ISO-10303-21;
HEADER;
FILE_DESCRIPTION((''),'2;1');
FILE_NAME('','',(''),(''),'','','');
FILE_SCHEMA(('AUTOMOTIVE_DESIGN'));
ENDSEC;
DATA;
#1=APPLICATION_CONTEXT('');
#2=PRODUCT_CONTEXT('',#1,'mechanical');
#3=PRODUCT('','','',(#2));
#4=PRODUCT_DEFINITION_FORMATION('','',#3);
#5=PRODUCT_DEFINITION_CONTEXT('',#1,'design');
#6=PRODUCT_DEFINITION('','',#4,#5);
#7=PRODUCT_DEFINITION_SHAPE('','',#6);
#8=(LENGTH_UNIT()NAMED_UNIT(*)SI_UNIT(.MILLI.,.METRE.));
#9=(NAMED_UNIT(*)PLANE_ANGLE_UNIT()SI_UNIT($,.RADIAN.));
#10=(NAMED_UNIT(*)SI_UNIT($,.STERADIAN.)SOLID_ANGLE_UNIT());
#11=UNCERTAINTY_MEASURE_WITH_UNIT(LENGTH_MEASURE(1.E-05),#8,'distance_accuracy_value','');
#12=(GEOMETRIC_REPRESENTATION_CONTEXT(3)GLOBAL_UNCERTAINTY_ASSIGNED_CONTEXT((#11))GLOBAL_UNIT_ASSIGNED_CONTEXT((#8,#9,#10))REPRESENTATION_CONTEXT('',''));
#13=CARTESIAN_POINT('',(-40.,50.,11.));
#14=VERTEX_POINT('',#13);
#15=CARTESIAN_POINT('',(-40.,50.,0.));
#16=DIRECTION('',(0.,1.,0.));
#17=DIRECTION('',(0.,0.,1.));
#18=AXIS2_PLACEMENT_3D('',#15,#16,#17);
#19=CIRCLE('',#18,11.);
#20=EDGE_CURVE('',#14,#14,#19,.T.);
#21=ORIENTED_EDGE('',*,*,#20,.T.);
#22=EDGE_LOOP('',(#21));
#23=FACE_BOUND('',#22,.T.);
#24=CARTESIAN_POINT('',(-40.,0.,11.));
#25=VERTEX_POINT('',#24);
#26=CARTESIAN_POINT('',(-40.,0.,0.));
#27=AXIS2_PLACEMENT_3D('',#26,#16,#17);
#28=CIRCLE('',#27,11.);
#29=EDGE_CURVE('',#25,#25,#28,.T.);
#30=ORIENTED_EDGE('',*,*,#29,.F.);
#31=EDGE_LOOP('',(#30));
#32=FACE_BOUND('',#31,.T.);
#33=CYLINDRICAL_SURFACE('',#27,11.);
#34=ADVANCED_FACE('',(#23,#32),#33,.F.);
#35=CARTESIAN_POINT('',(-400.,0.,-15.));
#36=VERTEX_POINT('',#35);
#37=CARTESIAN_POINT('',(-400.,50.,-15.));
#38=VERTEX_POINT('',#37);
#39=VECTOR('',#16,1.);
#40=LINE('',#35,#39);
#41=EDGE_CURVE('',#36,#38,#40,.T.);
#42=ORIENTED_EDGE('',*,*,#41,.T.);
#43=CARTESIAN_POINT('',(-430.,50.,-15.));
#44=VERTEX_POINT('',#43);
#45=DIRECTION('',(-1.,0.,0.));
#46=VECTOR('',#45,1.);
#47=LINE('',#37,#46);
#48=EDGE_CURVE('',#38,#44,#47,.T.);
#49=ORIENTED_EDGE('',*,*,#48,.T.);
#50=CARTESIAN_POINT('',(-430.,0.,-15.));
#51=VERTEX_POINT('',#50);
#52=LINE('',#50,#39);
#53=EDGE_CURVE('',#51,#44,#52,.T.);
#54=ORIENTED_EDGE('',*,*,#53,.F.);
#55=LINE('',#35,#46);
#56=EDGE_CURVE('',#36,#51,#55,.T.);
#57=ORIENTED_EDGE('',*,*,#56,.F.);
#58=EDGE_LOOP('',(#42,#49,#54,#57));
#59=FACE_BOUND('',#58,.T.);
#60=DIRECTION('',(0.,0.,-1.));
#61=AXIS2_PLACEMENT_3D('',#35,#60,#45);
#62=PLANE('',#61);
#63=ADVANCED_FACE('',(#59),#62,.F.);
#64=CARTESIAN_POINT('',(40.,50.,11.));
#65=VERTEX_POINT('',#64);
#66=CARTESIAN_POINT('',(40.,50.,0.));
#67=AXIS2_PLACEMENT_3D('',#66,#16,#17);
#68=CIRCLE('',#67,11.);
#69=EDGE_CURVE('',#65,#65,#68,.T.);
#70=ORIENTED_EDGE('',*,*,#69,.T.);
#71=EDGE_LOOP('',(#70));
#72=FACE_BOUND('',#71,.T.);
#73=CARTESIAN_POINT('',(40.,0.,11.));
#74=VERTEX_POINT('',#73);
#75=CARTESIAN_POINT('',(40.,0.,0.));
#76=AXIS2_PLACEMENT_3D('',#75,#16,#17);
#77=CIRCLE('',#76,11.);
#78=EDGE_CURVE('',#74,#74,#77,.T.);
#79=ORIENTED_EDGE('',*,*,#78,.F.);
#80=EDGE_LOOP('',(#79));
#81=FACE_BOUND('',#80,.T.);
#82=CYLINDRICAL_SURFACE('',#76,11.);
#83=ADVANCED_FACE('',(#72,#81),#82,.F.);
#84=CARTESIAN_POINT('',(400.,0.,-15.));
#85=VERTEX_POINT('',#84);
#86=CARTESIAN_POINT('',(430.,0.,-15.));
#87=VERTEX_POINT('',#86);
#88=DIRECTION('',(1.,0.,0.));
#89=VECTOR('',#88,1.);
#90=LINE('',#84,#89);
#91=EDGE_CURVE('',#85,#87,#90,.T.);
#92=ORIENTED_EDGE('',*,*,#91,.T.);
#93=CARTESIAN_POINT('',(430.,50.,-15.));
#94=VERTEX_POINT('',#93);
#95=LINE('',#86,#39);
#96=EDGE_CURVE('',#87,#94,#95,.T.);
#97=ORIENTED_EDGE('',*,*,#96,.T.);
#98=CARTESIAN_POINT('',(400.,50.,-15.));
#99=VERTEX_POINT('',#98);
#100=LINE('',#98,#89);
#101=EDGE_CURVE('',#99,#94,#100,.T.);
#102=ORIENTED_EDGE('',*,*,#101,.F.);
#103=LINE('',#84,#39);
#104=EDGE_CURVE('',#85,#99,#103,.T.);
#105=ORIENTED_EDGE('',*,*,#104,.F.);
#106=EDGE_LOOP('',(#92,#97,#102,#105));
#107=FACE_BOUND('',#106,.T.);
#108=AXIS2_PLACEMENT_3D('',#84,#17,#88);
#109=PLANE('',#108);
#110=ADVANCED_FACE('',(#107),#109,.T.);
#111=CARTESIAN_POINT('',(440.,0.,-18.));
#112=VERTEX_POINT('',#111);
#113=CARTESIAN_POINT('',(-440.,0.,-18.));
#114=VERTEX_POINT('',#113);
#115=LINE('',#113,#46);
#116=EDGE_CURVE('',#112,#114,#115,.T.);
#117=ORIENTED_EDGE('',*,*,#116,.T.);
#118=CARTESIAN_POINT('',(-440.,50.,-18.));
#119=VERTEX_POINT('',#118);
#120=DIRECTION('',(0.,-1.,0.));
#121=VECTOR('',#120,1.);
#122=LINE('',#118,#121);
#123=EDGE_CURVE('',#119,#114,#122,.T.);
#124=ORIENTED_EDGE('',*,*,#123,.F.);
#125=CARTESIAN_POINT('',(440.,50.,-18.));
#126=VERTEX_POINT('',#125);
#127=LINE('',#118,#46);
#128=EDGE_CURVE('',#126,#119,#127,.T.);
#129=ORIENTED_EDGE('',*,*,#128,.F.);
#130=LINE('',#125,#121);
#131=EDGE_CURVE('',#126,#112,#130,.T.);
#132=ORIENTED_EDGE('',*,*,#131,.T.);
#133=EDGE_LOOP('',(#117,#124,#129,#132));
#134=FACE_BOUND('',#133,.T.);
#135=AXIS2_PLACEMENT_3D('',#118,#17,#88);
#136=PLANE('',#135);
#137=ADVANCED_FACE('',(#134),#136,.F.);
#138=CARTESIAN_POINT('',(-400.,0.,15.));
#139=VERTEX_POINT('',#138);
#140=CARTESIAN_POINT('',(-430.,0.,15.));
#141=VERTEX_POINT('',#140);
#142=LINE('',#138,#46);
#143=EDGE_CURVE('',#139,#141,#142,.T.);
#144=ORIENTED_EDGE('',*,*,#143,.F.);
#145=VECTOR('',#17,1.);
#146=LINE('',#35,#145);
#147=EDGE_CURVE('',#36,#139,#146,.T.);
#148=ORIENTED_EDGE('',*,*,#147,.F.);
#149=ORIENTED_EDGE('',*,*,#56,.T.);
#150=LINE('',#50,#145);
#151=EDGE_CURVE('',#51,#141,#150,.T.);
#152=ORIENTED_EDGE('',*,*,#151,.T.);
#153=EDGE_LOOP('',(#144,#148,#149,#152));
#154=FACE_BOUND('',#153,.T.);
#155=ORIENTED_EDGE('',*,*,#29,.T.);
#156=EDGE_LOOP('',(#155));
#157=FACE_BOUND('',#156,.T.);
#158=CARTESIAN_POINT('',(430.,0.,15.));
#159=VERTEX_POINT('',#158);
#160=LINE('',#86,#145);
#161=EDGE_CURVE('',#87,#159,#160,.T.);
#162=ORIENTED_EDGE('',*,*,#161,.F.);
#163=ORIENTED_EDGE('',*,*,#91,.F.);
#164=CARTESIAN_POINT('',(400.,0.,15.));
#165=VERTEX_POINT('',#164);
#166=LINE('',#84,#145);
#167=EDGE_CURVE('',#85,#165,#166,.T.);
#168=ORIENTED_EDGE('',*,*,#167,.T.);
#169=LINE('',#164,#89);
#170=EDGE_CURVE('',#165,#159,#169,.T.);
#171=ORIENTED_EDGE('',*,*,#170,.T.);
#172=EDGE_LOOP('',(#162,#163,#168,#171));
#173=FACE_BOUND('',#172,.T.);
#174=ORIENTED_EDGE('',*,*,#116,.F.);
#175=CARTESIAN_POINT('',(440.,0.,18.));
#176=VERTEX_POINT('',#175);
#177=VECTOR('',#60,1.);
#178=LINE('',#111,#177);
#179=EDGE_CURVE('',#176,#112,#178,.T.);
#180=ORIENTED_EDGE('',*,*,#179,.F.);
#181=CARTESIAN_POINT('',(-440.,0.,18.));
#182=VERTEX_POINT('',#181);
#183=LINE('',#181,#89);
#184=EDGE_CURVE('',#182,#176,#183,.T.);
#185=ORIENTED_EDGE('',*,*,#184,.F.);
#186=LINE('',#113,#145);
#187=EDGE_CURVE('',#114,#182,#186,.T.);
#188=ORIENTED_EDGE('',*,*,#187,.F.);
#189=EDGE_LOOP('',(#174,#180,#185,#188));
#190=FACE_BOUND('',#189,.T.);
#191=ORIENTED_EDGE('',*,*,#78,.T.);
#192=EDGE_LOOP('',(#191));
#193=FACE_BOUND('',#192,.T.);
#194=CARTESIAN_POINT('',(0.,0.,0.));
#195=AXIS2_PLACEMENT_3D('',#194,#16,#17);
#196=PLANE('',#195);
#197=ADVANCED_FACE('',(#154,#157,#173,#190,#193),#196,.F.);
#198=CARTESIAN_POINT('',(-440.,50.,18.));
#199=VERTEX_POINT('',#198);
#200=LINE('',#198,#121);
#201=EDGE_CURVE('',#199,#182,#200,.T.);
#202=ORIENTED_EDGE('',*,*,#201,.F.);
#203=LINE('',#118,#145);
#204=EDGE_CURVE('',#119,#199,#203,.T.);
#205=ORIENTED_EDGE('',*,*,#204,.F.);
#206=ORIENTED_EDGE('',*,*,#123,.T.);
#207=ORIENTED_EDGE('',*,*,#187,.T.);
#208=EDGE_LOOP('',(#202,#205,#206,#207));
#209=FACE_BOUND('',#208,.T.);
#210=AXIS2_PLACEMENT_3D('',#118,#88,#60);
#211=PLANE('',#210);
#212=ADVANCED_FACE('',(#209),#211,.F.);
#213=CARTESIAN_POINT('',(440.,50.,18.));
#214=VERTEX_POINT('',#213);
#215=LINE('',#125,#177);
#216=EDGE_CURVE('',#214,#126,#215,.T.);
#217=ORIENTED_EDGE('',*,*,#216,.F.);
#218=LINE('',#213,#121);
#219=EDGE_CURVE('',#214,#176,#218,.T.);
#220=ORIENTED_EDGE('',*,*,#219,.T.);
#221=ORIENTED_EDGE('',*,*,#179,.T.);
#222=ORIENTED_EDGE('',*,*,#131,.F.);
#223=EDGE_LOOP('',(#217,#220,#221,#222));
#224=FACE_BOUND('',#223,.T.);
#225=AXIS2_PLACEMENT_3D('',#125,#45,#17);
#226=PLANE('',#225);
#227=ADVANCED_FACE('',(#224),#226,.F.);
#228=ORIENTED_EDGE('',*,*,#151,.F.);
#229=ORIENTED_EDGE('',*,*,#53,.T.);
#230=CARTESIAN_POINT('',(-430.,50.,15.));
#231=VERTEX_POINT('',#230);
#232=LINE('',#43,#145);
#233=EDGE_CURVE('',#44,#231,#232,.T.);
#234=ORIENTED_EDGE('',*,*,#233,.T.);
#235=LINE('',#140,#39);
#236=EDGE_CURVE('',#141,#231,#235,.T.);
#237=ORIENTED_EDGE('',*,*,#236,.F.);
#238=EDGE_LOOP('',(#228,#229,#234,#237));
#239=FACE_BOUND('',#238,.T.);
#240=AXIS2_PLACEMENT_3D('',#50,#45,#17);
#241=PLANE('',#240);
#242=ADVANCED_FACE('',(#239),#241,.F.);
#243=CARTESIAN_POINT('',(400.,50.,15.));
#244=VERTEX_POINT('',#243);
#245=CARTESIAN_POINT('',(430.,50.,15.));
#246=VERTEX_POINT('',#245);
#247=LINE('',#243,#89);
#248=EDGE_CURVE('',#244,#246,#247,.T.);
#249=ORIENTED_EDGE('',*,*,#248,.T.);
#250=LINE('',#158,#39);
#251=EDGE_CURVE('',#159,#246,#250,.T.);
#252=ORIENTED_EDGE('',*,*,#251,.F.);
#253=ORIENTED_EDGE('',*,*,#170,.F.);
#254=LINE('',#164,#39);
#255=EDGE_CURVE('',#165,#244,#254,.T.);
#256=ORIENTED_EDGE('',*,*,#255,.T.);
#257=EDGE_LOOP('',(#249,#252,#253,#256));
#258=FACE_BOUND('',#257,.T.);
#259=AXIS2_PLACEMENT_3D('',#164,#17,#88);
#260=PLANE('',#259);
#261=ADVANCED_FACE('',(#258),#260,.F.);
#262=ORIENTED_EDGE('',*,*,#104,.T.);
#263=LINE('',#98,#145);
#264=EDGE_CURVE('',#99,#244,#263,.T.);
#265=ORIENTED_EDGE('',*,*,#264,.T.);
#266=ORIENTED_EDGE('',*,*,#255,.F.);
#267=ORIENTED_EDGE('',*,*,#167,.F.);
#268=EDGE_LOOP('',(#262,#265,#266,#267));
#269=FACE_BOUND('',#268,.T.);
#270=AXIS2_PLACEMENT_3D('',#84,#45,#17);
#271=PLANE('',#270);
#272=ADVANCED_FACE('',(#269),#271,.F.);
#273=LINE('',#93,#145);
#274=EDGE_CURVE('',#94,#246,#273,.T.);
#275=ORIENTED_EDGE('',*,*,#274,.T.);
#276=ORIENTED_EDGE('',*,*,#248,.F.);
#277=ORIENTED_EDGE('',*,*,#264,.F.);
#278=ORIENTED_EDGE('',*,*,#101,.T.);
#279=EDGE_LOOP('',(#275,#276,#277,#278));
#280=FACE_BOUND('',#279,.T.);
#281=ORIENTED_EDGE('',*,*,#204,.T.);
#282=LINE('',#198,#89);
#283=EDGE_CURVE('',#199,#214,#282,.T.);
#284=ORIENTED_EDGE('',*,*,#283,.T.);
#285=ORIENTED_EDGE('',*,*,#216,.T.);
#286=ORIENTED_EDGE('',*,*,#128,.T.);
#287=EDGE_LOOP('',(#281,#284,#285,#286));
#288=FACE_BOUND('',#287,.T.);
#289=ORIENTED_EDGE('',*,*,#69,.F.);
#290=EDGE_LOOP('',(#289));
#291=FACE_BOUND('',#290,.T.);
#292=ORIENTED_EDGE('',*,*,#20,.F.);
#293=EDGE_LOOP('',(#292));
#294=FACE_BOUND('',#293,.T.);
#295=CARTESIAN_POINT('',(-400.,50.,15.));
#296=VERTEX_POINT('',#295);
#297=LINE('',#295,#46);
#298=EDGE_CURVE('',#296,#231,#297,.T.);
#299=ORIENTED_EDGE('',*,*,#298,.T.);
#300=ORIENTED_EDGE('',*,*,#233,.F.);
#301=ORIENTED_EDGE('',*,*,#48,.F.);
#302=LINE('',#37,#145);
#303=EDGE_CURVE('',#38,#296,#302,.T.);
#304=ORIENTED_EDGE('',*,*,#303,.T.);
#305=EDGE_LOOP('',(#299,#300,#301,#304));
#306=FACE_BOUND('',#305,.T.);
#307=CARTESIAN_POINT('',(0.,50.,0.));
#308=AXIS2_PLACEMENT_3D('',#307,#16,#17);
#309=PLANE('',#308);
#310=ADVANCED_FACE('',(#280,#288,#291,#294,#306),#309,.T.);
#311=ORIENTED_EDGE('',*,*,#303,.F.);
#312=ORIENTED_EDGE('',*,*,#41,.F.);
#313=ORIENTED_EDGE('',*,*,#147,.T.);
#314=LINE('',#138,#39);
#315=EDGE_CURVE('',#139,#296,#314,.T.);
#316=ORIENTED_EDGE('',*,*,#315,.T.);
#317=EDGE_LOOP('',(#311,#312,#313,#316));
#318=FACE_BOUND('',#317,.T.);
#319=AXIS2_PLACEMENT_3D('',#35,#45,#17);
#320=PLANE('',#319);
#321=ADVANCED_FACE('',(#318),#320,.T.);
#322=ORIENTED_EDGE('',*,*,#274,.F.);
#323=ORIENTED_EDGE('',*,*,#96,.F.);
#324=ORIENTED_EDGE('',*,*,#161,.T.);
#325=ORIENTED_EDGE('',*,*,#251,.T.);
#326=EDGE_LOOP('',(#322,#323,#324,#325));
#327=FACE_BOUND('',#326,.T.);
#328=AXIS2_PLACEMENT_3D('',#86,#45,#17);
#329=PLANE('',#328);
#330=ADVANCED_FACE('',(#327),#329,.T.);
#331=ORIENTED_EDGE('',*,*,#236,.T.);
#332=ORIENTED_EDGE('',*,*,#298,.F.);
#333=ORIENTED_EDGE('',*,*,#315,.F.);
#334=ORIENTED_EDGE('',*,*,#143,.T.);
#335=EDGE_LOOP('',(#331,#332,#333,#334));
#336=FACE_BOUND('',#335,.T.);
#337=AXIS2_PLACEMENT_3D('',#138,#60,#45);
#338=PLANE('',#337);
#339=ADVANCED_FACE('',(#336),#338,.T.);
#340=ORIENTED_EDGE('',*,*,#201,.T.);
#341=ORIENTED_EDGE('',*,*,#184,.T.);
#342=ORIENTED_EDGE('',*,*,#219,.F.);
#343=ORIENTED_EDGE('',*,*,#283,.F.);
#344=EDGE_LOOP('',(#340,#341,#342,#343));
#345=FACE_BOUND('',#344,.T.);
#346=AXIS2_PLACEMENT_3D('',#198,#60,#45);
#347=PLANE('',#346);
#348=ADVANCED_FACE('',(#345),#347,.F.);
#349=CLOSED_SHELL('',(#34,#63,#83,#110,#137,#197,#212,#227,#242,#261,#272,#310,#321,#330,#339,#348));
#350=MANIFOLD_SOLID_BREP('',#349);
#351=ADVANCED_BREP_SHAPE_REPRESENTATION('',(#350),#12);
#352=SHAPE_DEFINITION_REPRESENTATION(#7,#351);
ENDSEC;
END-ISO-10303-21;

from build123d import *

# Parameters (mm, degrees)
SKETCH1_W           = 880
SKETCH1_H           = 36
BOSS_EXTRUDE1_DEPTH = 50
SKETCH2_W           = 30
SKETCH2_H           = 30
CUT_EXTRUDE1_DEPTH  = 50
SKETCH3_R           = 11
CUT_EXTRUDE2_DEPTH  = 50


with BuildPart() as part:
    # Sketch1 → Boss-Extrude1 (new body)
    with BuildSketch(Plane(origin=(0, 0, 0), x_dir=(1, 0, 0), z_dir=(0, 1, 0))):
        Rectangle(SKETCH1_W, SKETCH1_H)
    extrude(amount=BOSS_EXTRUDE1_DEPTH)

    # Sketch2 → Cut-Extrude1 (cut)
    with BuildSketch(Plane(origin=(0, 50, 0), x_dir=(1, 0, 0), z_dir=(0, 1, 0))):
        with Locations((-415, 0)):
            Rectangle(SKETCH2_W, SKETCH2_H)
        with Locations((415, 0)):
            Rectangle(SKETCH2_W, SKETCH2_H)
    extrude(amount=-CUT_EXTRUDE1_DEPTH, mode=Mode.SUBTRACT)

    # Sketch3 → Cut-Extrude2 (cut)
    with BuildSketch(Plane(origin=(0, 50, 0), x_dir=(1, 0, 0), z_dir=(0, 1, 0))):
        with Locations(Location((-40, 0, 0), (0, 0, 270))):
            Circle(SKETCH3_R)
        with Locations(Location((40, 0, 0), (0, 0, 270))):
            Circle(SKETCH3_R)
    extrude(amount=-CUT_EXTRUDE2_DEPTH, mode=Mode.SUBTRACT)


solid = part.part
